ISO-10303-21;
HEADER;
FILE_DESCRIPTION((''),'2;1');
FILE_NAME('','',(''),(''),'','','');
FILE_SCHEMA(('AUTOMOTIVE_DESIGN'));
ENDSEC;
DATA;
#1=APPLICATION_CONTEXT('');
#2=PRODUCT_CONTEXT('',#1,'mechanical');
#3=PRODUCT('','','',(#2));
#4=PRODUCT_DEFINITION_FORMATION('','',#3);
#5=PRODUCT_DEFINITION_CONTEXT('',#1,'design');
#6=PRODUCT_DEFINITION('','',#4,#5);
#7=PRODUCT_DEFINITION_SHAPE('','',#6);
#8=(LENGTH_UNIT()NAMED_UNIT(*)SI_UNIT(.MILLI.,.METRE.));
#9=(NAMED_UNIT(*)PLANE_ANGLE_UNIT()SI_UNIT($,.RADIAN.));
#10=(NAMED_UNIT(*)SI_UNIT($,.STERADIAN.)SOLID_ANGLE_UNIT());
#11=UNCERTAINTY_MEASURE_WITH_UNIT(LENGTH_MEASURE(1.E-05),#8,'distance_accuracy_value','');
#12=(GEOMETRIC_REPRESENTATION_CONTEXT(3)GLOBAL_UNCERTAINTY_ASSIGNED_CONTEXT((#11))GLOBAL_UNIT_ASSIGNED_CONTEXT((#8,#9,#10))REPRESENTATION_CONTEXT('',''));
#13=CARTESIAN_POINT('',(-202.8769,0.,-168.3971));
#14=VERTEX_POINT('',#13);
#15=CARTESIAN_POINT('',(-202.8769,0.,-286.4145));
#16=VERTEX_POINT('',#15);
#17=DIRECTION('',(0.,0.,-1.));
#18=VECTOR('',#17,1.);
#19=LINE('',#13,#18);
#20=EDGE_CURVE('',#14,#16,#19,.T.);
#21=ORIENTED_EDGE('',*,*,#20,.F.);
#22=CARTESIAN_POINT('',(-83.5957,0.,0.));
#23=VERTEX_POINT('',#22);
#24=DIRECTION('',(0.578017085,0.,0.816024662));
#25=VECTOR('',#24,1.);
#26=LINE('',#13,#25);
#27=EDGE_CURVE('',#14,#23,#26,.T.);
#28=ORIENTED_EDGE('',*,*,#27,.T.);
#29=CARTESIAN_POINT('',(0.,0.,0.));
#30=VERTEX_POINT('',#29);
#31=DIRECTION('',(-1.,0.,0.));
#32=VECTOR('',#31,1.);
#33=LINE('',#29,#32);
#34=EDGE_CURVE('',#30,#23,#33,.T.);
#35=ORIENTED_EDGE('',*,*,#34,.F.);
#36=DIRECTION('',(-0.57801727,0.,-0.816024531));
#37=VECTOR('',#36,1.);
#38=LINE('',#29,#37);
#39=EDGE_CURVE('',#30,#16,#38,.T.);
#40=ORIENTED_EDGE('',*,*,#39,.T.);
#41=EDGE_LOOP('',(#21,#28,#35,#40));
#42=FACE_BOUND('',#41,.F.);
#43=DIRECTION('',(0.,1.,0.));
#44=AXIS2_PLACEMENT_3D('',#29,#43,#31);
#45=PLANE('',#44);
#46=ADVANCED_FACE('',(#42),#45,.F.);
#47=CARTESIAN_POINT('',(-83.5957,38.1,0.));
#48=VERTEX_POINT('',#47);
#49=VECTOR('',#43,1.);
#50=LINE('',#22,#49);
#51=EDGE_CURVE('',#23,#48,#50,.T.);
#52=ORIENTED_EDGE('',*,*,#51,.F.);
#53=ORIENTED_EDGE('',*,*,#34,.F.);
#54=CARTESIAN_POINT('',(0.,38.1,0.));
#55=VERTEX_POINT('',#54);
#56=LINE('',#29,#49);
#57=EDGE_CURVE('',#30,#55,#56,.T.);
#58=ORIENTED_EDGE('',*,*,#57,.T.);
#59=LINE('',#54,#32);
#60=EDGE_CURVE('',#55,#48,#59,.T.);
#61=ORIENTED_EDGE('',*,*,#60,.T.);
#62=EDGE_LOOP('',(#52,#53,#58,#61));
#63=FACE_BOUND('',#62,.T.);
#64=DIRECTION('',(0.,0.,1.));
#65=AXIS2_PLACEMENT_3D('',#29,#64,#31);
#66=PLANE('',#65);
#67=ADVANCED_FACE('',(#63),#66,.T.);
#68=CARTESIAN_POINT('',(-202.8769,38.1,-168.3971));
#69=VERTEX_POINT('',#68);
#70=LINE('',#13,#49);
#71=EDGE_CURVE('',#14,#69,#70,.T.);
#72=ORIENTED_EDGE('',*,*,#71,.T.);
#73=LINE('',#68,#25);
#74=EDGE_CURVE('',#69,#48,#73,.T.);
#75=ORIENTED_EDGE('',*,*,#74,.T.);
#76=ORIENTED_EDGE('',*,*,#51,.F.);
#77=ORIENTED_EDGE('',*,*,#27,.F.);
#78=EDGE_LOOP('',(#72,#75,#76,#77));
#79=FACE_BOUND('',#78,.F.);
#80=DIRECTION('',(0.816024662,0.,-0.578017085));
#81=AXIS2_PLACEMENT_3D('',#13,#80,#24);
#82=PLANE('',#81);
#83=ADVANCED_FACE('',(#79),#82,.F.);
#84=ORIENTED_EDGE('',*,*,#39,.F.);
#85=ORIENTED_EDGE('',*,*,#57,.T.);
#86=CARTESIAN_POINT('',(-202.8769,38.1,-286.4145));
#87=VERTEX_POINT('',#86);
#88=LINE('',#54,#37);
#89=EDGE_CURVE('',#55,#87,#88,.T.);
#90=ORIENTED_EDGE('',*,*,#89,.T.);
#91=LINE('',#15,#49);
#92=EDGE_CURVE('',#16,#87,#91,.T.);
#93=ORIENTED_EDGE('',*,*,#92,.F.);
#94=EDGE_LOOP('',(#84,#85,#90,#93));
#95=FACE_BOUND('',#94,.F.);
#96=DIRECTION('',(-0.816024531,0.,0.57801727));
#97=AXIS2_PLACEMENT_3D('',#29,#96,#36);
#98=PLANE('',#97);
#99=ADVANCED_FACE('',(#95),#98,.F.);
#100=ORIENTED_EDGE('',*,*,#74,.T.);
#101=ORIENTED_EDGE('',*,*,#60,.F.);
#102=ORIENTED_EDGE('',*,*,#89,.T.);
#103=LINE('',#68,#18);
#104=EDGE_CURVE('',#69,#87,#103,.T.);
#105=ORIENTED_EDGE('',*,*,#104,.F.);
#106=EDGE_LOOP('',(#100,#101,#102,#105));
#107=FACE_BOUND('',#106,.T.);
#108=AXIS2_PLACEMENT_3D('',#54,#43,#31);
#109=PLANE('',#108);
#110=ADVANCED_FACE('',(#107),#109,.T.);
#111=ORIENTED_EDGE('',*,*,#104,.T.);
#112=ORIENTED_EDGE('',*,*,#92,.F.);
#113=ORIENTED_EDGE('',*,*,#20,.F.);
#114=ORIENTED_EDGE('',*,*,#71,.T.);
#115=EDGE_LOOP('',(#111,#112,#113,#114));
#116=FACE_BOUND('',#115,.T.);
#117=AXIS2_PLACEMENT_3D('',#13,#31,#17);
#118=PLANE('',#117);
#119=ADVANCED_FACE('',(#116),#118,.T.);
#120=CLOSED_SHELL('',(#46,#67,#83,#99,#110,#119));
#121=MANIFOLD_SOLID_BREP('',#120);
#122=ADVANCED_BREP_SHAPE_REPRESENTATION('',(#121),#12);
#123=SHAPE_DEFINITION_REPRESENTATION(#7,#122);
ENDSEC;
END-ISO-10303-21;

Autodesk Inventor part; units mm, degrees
ref_plane "YZ Plane" through (0, 0, 0) normal (1, 0, 0) x (0, 1, 0)
ref_plane "XZ Plane" through (0, 0, 0) normal (0, 1, 0) x (-1, 0, 0)
ref_plane "XY Plane" through (0, 0, 0) normal (0, 0, 1) x (1, 0, 0)
sketch "Sketch1" plane through (0, 0, 0) normal (0, 1, 0) x (-1, 0, 0)
  line L0 (0, 0) -> (83.5957, 0)
  line L1 (0, 0) -> (202.8769, -286.4145)
  line L2 (202.8769, -168.3971) -> (202.8769, -286.4145)
  line L3 (202.8769, -168.3971) -> (83.5957, 0)
extrude "Extrusion1" add sketch "Sketch1" along normal blind 38.1
properties part number "S_2x4x14.71"
